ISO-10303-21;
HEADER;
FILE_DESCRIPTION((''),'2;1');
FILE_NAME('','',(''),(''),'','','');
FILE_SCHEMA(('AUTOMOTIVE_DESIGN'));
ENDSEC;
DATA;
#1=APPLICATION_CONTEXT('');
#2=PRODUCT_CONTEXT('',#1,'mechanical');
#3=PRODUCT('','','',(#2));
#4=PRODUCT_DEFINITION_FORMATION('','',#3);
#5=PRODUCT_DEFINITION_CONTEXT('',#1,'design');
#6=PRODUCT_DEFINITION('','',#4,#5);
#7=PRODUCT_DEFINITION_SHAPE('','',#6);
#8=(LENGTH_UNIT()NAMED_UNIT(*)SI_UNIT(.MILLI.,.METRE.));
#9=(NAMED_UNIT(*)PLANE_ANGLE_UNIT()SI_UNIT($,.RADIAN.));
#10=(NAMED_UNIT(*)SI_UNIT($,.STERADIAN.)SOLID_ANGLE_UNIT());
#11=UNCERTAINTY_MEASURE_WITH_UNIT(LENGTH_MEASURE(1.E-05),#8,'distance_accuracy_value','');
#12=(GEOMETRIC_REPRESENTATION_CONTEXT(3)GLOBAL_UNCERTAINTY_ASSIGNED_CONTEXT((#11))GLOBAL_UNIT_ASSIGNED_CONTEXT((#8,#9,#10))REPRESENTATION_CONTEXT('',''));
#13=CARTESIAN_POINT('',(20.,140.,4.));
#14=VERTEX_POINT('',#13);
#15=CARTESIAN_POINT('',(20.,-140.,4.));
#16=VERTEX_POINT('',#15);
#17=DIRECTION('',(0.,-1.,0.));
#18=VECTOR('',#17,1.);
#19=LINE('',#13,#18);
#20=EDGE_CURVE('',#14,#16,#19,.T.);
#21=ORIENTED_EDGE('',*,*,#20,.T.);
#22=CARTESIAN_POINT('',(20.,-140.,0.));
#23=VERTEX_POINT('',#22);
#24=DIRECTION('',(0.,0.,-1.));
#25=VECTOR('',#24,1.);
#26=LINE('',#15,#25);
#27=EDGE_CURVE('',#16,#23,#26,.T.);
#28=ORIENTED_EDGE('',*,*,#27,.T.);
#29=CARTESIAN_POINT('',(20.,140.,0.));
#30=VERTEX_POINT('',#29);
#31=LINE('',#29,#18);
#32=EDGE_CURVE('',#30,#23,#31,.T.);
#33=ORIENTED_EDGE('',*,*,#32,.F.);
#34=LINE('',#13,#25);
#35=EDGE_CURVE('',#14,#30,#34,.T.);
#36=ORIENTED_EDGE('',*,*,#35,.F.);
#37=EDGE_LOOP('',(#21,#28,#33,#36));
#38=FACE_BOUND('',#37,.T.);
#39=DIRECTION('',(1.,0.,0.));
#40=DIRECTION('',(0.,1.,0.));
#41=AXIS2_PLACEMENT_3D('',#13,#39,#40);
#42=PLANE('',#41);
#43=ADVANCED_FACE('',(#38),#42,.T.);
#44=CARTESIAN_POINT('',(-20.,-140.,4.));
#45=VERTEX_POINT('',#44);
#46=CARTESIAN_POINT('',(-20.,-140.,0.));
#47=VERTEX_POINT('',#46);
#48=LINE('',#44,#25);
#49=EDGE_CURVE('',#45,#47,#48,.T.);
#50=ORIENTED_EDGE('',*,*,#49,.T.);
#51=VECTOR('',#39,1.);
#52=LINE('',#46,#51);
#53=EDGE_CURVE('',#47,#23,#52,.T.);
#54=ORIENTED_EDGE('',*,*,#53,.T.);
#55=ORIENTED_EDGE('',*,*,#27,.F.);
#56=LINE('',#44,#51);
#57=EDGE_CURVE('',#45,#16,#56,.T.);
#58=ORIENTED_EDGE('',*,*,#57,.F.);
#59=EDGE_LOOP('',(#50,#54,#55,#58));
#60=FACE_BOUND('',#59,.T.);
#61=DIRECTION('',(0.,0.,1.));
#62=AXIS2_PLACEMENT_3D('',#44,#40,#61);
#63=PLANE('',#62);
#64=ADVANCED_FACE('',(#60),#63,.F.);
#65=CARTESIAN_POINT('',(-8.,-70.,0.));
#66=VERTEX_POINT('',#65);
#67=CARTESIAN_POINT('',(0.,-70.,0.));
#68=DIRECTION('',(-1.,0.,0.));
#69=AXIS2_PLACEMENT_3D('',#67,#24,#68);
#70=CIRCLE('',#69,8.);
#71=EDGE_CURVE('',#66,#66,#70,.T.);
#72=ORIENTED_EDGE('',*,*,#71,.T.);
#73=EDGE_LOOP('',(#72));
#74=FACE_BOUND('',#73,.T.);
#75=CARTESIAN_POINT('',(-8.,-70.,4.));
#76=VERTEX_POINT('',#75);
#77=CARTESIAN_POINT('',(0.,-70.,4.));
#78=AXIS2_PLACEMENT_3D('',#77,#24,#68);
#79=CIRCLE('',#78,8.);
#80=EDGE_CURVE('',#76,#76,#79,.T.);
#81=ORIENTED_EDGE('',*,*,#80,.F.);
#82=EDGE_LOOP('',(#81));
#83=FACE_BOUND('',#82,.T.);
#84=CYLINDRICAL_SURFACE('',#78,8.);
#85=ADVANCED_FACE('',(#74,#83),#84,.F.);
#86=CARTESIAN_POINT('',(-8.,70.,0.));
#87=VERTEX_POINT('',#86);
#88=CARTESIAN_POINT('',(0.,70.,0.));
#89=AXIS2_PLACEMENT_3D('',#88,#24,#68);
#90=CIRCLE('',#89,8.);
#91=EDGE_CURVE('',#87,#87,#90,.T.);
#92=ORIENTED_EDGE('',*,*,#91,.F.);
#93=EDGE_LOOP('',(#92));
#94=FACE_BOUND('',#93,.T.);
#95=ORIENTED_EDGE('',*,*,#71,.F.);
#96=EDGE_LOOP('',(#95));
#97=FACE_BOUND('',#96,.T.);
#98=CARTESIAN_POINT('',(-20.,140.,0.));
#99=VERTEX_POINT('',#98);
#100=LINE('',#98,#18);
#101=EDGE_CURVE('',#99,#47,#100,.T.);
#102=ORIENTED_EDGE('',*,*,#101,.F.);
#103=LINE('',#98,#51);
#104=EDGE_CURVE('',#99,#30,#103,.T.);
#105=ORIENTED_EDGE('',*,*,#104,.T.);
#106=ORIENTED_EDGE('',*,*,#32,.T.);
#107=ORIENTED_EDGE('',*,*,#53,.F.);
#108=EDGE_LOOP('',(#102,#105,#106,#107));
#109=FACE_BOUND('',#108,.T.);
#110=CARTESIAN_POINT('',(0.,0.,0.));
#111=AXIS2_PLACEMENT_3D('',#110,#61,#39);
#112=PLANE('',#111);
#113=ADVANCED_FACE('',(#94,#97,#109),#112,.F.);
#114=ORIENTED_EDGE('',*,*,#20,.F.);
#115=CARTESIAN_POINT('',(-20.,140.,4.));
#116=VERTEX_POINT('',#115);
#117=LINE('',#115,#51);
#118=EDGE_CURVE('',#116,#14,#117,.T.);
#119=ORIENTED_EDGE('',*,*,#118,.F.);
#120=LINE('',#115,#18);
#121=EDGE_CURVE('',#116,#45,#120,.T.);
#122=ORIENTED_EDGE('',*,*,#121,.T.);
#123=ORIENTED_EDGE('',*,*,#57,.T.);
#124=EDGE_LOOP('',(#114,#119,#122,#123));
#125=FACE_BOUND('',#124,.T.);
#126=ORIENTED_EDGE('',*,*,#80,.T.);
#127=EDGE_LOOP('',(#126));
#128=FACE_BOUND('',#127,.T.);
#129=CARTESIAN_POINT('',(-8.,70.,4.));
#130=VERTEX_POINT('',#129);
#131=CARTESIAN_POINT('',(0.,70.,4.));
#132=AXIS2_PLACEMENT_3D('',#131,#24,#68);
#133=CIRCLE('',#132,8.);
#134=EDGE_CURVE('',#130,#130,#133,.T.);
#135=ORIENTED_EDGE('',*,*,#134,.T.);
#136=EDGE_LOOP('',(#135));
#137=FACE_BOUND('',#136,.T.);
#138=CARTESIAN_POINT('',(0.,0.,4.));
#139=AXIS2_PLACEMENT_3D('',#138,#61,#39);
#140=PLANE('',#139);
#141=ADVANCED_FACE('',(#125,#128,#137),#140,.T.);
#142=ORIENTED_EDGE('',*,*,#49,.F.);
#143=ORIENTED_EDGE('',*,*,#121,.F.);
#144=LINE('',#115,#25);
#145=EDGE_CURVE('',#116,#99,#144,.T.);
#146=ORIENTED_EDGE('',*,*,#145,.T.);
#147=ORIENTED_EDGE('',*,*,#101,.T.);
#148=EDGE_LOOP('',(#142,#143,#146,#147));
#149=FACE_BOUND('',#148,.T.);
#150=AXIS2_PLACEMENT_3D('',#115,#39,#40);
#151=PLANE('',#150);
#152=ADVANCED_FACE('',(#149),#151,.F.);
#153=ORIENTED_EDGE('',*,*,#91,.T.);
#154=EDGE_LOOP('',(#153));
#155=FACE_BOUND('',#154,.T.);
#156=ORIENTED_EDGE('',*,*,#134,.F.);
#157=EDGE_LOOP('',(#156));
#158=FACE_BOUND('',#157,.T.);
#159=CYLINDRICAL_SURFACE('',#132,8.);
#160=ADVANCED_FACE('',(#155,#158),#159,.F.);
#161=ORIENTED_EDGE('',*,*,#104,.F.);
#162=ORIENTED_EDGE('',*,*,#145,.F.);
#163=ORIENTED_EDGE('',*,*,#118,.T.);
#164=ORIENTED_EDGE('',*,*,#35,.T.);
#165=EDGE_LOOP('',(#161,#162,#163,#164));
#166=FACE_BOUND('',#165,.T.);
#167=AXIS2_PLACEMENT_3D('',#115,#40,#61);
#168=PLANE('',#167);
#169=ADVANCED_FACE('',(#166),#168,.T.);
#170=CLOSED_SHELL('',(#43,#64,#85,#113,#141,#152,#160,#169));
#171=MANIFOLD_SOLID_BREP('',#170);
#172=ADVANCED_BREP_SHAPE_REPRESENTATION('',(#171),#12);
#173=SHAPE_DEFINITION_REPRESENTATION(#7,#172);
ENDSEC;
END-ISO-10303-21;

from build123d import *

# Parameters (mm, degrees)
SKETCH1_W           = 40
SKETCH1_H           = 280
BOSS_EXTRUDE1_DEPTH = 4
SKETCH3_R           = 8
BOSS_EXTRUDE2_DEPTH = 4
SKETCH3_2_R         = 8
CUT_EXTRUDE1_DEPTH  = 4


with BuildPart() as part:
    # Sketch1 → Boss-Extrude1 (new body)
    with BuildSketch(Plane.XY):
        Rectangle(SKETCH1_W, SKETCH1_H)
    extrude(amount=BOSS_EXTRUDE1_DEPTH)

    # Sketch3 → Boss-Extrude2 (add)
    with BuildSketch(Plane(origin=(0, 0, 0), x_dir=(-1, 0, 0), z_dir=(0, 0, -1))):
        with Locations((0, 70)):
            Circle(SKETCH3_R)
        with Locations((0, -70)):
            Circle(SKETCH3_R)
    extrude(amount=-BOSS_EXTRUDE2_DEPTH)

    # Sketch3<2> → Cut-Extrude1 (cut)
    with BuildSketch(Plane(origin=(0, 0, 0), x_dir=(-1, 0, 0), z_dir=(0, 0, -1))):
        with Locations((0, 70)):
            Circle(SKETCH3_2_R)
        with Locations((0, -70)):
            Circle(SKETCH3_2_R)
    extrude(amount=-CUT_EXTRUDE1_DEPTH, mode=Mode.SUBTRACT)


solid = part.part
